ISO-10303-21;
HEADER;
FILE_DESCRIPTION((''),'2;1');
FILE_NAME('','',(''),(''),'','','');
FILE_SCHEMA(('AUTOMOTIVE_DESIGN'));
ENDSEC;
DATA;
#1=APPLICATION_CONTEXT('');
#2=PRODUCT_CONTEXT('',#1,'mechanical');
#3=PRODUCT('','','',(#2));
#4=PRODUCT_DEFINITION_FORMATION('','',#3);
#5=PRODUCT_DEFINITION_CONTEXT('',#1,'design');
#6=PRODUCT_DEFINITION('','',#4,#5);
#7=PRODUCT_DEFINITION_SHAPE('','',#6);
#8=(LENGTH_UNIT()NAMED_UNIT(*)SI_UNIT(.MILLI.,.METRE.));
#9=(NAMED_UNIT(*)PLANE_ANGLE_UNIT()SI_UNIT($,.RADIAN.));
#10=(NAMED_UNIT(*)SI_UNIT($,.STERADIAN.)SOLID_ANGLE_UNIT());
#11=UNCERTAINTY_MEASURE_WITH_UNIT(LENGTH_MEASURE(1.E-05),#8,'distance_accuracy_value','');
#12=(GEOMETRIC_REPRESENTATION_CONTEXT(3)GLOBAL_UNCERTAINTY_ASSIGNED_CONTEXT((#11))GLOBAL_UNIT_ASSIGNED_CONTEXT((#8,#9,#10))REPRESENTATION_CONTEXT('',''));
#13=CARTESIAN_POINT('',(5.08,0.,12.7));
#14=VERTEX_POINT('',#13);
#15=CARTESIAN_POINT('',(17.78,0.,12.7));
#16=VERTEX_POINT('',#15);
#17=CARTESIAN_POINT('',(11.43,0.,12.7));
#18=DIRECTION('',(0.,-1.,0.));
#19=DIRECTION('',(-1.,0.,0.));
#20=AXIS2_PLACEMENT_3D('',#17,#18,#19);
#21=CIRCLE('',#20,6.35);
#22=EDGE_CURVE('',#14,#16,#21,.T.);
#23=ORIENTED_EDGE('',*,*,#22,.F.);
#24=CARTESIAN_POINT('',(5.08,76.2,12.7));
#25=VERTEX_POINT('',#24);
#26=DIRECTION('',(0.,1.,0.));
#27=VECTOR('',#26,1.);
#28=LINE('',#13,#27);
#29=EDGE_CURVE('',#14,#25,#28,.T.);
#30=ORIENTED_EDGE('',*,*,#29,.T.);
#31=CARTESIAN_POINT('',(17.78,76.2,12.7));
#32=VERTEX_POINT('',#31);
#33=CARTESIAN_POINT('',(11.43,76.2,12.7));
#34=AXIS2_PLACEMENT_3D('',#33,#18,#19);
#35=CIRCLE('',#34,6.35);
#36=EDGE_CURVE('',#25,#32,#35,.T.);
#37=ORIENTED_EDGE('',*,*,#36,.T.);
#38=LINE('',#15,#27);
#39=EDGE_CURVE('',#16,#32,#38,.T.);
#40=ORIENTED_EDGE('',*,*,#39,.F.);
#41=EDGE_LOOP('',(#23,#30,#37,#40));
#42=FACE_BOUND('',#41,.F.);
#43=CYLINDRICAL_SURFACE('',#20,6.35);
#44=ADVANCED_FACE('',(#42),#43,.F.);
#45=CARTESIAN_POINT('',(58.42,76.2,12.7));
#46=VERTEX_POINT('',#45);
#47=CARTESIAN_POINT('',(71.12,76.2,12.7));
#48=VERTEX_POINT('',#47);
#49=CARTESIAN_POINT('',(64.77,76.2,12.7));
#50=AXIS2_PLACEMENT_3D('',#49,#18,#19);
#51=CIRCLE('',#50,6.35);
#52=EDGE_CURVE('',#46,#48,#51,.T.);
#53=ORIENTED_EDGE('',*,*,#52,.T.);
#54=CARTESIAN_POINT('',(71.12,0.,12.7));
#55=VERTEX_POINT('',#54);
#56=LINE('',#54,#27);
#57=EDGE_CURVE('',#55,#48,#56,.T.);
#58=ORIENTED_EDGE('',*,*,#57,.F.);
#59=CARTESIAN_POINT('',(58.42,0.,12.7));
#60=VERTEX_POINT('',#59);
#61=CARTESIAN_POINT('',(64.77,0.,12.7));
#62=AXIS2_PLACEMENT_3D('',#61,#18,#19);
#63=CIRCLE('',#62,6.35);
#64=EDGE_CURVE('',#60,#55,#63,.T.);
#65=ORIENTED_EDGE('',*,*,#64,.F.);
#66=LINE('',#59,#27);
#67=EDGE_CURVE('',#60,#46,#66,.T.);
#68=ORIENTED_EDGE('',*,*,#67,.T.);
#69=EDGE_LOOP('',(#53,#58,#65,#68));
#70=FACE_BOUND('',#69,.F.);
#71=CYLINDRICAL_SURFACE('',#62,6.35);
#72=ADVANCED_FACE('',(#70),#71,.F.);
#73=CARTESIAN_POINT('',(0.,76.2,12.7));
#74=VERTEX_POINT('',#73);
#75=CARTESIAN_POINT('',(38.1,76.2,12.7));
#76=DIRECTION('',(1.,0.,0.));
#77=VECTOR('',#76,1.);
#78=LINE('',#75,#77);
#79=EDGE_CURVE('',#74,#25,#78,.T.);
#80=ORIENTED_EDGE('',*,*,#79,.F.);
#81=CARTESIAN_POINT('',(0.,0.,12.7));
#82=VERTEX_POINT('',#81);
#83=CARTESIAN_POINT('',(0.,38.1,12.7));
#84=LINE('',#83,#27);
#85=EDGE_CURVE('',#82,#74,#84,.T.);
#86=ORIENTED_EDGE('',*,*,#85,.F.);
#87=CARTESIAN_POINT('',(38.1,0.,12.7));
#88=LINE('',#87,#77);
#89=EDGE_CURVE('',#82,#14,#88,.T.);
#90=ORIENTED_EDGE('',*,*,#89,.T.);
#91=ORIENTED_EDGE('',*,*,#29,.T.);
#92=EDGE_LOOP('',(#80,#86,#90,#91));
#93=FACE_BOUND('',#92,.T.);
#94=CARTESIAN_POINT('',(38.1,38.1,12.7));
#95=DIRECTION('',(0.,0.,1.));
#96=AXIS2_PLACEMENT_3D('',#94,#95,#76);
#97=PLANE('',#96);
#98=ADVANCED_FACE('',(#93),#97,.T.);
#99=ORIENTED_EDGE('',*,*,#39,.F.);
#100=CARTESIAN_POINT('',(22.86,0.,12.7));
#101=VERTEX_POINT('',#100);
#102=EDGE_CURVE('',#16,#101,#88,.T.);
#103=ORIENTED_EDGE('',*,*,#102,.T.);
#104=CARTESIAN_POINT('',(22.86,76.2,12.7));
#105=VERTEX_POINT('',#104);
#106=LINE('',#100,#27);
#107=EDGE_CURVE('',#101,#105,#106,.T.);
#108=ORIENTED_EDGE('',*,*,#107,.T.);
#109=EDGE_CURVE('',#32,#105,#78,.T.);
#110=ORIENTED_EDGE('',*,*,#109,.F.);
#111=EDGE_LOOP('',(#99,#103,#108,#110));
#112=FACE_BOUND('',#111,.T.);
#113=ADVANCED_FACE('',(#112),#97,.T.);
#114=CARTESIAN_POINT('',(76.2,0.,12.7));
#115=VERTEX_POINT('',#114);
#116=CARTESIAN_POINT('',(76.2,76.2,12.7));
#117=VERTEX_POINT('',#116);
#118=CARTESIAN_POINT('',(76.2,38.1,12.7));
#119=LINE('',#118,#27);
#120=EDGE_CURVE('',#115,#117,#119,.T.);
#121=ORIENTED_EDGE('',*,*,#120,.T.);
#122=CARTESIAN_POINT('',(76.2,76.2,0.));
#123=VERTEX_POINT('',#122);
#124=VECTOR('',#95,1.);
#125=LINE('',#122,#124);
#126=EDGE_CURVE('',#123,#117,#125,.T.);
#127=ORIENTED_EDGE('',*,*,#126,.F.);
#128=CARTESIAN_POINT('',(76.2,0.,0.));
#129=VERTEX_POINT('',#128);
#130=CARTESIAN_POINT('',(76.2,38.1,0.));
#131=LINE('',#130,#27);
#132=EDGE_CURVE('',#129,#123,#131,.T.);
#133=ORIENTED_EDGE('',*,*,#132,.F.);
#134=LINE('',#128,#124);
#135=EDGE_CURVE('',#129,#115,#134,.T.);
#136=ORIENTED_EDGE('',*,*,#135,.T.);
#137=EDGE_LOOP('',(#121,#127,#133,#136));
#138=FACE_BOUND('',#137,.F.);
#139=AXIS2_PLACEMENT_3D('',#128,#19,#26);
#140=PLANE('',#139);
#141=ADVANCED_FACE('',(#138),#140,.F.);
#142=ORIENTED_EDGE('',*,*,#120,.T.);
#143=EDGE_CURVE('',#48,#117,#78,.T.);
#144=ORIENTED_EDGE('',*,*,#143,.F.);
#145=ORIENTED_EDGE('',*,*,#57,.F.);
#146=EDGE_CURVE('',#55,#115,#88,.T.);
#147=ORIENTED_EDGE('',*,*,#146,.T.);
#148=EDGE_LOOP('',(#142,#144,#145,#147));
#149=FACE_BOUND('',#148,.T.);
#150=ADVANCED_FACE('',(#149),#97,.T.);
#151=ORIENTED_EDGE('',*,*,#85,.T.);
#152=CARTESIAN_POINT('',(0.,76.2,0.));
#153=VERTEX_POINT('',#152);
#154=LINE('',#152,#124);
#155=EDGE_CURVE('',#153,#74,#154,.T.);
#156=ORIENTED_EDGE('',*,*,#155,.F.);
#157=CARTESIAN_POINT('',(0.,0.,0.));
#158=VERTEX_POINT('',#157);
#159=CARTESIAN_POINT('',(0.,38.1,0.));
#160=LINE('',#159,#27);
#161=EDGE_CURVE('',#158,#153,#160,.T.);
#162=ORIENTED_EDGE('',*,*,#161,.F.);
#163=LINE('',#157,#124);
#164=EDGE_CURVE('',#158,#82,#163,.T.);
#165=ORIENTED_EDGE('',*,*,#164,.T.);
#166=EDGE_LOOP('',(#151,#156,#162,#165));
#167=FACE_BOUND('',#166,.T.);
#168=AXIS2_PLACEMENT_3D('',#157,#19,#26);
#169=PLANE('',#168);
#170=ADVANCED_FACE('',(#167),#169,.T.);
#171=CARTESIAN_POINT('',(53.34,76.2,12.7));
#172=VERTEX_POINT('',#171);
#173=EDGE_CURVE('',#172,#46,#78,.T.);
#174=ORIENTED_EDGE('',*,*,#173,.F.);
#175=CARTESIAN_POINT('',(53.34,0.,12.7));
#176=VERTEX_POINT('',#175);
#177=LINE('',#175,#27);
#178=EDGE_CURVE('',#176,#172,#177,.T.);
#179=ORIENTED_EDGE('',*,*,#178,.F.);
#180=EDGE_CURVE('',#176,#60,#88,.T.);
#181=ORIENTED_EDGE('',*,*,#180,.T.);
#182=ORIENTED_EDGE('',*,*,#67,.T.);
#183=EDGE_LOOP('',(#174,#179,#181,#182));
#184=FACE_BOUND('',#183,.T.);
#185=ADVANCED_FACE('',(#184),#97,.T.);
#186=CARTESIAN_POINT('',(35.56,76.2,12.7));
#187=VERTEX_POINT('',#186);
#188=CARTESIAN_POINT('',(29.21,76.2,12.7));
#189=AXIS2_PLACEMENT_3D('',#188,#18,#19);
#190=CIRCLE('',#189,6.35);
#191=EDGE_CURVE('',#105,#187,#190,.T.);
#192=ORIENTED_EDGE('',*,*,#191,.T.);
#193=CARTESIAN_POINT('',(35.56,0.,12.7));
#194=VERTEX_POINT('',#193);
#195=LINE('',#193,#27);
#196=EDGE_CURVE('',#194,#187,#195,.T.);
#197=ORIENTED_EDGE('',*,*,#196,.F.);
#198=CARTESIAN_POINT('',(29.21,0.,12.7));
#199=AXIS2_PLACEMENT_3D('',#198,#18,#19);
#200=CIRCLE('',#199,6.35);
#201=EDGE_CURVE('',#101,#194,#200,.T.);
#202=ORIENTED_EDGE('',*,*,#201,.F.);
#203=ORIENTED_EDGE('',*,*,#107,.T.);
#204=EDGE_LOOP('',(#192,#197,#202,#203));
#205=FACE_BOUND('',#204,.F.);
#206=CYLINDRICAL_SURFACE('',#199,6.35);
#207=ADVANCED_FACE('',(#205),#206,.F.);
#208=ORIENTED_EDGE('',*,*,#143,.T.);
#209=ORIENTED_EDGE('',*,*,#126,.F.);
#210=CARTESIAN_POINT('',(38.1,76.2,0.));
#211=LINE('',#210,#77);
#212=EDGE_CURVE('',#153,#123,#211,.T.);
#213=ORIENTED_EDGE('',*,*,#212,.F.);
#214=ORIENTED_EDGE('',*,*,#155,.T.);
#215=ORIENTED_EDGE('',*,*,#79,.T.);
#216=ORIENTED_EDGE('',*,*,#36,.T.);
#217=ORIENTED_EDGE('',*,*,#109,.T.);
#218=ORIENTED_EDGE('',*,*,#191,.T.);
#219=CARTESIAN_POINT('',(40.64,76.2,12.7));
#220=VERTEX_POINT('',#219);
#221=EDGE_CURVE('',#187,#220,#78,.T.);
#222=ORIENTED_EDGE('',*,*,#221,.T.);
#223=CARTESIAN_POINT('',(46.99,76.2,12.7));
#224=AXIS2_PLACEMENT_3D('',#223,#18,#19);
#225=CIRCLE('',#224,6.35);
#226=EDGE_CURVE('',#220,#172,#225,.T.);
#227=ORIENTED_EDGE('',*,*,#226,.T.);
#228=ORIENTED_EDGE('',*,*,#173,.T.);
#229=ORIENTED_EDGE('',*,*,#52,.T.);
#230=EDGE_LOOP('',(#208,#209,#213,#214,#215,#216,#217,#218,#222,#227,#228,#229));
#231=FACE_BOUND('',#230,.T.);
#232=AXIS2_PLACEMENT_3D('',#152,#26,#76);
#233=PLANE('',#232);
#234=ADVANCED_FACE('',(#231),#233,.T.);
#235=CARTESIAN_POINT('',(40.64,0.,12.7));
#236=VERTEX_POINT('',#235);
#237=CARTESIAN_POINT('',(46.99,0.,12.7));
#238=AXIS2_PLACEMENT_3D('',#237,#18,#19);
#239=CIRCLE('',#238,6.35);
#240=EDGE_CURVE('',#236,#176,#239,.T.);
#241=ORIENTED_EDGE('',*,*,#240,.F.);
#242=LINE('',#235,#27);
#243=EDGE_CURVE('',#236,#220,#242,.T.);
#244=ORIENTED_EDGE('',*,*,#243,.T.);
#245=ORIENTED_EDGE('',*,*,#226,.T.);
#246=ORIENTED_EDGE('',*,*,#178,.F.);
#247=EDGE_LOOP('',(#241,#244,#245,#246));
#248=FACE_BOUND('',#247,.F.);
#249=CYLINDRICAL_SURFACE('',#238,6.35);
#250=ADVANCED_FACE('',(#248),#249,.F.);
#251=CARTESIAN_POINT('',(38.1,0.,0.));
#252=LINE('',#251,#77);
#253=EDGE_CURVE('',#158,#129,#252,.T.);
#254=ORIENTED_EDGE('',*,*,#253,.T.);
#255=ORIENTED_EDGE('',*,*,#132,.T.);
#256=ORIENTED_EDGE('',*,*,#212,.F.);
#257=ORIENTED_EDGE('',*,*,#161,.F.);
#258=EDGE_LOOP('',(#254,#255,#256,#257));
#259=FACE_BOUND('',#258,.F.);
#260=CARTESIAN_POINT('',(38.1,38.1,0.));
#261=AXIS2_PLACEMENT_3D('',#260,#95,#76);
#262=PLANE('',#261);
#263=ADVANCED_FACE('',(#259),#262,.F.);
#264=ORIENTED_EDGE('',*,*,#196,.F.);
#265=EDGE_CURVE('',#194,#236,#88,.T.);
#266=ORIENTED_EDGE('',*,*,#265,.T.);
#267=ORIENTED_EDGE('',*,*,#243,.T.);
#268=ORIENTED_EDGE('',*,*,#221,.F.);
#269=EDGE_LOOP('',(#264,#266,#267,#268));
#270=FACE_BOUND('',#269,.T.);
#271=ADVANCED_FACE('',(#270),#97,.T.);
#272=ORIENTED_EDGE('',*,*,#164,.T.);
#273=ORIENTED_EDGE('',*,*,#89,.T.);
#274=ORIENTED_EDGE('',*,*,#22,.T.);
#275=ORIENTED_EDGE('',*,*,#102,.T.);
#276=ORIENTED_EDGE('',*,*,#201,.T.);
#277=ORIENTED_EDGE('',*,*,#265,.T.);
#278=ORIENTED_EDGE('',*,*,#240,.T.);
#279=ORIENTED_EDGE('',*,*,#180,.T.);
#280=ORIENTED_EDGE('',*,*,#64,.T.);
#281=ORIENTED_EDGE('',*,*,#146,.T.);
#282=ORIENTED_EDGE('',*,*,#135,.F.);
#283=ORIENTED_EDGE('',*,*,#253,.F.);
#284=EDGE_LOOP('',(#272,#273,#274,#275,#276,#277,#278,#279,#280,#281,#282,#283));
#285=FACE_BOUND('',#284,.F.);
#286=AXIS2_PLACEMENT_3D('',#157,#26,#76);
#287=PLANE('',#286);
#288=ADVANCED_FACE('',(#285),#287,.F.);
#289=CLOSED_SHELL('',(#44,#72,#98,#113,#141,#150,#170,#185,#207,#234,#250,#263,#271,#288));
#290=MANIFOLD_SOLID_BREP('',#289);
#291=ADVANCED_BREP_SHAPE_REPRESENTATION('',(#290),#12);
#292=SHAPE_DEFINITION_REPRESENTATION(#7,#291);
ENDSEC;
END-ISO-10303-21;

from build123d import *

# Parameters (mm, degrees)
F0_W     = 76.2
F0_H     = 76.2
F1_DEPTH = 12.7
F3_DEPTH = 76.201


with BuildPart() as f1:
    # F0 (on Top) → F1 (new body)
    with BuildSketch(Plane.XY):
        with Locations((38.1, 38.1)):
            Rectangle(F0_W, F0_H)
    extrude(amount=F1_DEPTH)

    # F2 (on face) → F3 (cut, through all)
    with BuildSketch(Plane.XZ):
        with BuildLine():
            ThreePointArc((5.08, 12.7), (11.43, 6.35), (17.78, 12.7))
            Line((17.78, 12.7), (5.08, 12.7))
        make_face()
        with BuildLine():
            Line((35.56, 12.7), (22.86, 12.7))
            ThreePointArc((22.86, 12.7), (29.21, 6.35), (35.56, 12.7))
        make_face()
        with BuildLine():
            Line((53.34, 12.7), (40.64, 12.7))
            ThreePointArc((40.64, 12.7), (46.99, 6.35), (53.34, 12.7))
        make_face()
        with BuildLine():
            Line((71.12, 12.7), (58.42, 12.7))
            ThreePointArc((58.42, 12.7), (64.77, 6.35), (71.12, 12.7))
        make_face()
    extrude(amount=-F3_DEPTH, mode=Mode.SUBTRACT)


solid = f1.part
